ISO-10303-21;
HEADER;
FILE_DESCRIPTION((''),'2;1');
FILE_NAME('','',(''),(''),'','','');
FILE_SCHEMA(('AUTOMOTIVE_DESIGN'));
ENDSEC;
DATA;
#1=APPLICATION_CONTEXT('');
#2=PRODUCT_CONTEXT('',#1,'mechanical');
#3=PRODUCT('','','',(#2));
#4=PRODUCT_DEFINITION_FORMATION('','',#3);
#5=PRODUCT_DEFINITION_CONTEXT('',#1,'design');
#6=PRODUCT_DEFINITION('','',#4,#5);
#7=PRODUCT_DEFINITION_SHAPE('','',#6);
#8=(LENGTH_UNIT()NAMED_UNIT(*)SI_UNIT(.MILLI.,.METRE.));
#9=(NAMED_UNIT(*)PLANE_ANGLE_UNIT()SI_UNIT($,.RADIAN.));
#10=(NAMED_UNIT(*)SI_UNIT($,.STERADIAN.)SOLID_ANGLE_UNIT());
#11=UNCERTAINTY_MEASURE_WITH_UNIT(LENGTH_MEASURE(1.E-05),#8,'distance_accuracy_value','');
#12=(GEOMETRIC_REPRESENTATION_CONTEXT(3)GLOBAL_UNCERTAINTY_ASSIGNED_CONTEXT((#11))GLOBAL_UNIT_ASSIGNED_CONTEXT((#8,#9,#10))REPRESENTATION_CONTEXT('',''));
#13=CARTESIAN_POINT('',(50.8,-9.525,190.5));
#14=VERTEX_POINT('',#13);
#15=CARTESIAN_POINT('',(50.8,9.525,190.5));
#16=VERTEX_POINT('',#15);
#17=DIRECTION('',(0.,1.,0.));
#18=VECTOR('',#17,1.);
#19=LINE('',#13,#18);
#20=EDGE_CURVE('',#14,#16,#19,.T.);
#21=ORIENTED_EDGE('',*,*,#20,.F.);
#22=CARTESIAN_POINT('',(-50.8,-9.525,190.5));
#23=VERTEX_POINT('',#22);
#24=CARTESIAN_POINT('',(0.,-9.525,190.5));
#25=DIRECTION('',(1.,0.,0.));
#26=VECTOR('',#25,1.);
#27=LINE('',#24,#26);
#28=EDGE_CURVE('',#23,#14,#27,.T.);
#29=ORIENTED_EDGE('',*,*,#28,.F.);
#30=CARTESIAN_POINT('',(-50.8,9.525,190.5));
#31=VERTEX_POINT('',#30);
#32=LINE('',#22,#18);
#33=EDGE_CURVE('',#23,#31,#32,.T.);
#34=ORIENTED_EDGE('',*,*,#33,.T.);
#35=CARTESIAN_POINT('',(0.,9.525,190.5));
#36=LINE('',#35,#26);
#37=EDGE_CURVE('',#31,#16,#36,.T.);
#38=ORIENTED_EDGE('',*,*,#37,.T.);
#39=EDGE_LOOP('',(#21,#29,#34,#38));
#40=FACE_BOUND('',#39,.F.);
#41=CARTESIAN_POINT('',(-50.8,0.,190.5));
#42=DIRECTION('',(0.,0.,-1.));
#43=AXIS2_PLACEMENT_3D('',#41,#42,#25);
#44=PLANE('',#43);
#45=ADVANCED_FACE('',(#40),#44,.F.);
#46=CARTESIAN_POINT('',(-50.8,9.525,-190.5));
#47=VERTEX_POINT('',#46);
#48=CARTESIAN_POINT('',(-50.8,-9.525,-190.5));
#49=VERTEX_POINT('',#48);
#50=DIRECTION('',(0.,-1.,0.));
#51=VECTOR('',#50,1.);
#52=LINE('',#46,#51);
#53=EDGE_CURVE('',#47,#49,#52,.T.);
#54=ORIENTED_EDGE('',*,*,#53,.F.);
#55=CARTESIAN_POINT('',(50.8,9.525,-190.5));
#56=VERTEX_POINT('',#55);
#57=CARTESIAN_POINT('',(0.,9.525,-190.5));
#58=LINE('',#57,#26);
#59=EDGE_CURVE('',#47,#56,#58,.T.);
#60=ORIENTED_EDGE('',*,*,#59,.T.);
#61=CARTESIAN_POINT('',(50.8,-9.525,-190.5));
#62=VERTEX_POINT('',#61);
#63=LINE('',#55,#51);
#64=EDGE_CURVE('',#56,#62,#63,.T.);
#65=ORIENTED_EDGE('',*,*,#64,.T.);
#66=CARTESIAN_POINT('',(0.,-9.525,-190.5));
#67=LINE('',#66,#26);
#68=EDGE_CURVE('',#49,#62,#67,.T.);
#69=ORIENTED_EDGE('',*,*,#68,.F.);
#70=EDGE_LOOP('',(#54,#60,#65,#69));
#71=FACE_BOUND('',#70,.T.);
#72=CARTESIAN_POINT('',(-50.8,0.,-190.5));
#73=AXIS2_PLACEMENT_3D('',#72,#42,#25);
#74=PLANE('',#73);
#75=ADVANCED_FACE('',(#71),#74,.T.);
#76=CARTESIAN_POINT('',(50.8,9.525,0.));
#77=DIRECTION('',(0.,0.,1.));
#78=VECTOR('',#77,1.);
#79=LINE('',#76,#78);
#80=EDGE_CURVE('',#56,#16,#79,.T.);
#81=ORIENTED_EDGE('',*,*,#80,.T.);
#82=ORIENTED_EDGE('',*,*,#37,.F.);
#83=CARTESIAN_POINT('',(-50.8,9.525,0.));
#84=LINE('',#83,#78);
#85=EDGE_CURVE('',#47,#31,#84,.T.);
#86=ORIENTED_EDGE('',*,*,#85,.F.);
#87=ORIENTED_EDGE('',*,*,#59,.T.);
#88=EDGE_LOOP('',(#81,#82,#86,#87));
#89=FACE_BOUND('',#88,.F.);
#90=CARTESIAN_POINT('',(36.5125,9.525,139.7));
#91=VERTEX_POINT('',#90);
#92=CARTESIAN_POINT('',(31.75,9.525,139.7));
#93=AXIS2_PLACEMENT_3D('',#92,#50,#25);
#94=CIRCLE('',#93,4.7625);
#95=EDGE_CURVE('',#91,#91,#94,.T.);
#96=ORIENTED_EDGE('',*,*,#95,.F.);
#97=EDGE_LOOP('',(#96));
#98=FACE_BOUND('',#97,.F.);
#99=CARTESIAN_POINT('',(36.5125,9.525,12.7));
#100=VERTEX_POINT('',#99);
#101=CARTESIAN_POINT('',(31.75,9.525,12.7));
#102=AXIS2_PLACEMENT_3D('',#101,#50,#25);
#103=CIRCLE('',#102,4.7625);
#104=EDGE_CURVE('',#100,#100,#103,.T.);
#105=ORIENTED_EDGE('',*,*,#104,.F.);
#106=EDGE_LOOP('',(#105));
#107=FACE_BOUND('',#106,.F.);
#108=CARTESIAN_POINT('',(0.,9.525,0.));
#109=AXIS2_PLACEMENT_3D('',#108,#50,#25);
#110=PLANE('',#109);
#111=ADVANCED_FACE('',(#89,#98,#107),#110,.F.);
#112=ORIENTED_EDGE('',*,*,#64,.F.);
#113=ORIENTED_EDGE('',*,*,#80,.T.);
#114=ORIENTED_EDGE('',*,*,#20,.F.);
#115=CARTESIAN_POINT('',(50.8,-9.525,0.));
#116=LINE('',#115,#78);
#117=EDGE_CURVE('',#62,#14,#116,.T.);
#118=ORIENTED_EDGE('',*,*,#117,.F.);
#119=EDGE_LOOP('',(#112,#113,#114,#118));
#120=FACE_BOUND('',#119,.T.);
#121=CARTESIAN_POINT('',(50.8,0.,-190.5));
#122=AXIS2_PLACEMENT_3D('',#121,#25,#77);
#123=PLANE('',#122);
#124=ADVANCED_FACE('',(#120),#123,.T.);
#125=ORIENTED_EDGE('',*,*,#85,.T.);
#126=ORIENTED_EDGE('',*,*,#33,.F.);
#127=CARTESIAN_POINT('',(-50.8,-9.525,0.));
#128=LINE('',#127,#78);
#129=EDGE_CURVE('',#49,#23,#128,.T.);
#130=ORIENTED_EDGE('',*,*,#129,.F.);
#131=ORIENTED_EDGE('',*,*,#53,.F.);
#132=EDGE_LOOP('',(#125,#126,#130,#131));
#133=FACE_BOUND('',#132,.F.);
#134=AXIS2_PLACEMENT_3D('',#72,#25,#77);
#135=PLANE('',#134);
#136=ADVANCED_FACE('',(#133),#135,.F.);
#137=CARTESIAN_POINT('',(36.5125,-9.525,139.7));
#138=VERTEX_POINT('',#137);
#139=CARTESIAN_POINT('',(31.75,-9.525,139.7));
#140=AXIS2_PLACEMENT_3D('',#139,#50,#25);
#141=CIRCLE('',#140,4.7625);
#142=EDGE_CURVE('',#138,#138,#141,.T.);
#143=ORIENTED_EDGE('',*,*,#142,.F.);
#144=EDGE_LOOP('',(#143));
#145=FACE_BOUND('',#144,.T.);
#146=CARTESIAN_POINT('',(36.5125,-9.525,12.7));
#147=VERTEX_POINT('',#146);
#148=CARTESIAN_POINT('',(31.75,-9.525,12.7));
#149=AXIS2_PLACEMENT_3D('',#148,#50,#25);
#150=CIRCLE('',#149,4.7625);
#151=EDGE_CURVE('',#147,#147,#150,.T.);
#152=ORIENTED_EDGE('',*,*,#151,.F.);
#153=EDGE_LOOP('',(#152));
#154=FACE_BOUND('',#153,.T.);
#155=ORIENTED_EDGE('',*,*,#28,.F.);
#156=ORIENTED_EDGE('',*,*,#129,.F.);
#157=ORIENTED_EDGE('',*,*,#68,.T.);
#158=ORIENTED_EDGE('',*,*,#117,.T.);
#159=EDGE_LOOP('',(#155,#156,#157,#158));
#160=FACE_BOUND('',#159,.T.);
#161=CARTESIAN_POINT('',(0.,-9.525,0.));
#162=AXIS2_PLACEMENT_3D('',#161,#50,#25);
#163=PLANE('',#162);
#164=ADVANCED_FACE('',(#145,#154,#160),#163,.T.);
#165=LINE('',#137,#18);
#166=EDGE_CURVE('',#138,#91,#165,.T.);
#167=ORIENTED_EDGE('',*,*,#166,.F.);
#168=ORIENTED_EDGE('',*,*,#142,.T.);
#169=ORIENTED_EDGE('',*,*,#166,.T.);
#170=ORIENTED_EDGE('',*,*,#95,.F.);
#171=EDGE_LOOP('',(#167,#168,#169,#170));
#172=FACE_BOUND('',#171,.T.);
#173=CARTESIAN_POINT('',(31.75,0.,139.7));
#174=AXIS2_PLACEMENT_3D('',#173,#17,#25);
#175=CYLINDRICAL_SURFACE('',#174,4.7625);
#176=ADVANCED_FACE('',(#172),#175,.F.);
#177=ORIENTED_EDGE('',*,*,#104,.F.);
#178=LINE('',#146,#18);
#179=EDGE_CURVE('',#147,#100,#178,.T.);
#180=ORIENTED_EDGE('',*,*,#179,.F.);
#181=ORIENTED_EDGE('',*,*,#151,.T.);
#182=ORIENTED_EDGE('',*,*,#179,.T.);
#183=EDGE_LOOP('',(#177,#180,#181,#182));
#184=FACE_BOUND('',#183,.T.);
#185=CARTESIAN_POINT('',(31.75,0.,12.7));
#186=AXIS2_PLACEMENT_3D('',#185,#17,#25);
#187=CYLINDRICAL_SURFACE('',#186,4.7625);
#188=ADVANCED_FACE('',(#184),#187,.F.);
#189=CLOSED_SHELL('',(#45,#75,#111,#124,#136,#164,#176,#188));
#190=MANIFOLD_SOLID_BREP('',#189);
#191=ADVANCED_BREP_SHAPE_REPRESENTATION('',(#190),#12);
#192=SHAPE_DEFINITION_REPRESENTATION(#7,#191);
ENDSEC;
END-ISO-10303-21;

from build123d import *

# Parameters (mm, degrees)
F0_W     = 101.6
F0_H     = 381
F0_R     = 4.7625
F1_DEPTH = 9.525


with BuildPart() as f1:
    # F0 (on Front) → F1 (new body, symmetric)
    with BuildSketch(Plane.XZ):
        Rectangle(F0_W, F0_H)
        with Locations((31.75, 12.7)):
            Circle(F0_R, mode=Mode.SUBTRACT)
        with Locations((31.75, 139.7)):
            Circle(F0_R, mode=Mode.SUBTRACT)
    extrude(amount=F1_DEPTH, both=True)


solid = f1.part
